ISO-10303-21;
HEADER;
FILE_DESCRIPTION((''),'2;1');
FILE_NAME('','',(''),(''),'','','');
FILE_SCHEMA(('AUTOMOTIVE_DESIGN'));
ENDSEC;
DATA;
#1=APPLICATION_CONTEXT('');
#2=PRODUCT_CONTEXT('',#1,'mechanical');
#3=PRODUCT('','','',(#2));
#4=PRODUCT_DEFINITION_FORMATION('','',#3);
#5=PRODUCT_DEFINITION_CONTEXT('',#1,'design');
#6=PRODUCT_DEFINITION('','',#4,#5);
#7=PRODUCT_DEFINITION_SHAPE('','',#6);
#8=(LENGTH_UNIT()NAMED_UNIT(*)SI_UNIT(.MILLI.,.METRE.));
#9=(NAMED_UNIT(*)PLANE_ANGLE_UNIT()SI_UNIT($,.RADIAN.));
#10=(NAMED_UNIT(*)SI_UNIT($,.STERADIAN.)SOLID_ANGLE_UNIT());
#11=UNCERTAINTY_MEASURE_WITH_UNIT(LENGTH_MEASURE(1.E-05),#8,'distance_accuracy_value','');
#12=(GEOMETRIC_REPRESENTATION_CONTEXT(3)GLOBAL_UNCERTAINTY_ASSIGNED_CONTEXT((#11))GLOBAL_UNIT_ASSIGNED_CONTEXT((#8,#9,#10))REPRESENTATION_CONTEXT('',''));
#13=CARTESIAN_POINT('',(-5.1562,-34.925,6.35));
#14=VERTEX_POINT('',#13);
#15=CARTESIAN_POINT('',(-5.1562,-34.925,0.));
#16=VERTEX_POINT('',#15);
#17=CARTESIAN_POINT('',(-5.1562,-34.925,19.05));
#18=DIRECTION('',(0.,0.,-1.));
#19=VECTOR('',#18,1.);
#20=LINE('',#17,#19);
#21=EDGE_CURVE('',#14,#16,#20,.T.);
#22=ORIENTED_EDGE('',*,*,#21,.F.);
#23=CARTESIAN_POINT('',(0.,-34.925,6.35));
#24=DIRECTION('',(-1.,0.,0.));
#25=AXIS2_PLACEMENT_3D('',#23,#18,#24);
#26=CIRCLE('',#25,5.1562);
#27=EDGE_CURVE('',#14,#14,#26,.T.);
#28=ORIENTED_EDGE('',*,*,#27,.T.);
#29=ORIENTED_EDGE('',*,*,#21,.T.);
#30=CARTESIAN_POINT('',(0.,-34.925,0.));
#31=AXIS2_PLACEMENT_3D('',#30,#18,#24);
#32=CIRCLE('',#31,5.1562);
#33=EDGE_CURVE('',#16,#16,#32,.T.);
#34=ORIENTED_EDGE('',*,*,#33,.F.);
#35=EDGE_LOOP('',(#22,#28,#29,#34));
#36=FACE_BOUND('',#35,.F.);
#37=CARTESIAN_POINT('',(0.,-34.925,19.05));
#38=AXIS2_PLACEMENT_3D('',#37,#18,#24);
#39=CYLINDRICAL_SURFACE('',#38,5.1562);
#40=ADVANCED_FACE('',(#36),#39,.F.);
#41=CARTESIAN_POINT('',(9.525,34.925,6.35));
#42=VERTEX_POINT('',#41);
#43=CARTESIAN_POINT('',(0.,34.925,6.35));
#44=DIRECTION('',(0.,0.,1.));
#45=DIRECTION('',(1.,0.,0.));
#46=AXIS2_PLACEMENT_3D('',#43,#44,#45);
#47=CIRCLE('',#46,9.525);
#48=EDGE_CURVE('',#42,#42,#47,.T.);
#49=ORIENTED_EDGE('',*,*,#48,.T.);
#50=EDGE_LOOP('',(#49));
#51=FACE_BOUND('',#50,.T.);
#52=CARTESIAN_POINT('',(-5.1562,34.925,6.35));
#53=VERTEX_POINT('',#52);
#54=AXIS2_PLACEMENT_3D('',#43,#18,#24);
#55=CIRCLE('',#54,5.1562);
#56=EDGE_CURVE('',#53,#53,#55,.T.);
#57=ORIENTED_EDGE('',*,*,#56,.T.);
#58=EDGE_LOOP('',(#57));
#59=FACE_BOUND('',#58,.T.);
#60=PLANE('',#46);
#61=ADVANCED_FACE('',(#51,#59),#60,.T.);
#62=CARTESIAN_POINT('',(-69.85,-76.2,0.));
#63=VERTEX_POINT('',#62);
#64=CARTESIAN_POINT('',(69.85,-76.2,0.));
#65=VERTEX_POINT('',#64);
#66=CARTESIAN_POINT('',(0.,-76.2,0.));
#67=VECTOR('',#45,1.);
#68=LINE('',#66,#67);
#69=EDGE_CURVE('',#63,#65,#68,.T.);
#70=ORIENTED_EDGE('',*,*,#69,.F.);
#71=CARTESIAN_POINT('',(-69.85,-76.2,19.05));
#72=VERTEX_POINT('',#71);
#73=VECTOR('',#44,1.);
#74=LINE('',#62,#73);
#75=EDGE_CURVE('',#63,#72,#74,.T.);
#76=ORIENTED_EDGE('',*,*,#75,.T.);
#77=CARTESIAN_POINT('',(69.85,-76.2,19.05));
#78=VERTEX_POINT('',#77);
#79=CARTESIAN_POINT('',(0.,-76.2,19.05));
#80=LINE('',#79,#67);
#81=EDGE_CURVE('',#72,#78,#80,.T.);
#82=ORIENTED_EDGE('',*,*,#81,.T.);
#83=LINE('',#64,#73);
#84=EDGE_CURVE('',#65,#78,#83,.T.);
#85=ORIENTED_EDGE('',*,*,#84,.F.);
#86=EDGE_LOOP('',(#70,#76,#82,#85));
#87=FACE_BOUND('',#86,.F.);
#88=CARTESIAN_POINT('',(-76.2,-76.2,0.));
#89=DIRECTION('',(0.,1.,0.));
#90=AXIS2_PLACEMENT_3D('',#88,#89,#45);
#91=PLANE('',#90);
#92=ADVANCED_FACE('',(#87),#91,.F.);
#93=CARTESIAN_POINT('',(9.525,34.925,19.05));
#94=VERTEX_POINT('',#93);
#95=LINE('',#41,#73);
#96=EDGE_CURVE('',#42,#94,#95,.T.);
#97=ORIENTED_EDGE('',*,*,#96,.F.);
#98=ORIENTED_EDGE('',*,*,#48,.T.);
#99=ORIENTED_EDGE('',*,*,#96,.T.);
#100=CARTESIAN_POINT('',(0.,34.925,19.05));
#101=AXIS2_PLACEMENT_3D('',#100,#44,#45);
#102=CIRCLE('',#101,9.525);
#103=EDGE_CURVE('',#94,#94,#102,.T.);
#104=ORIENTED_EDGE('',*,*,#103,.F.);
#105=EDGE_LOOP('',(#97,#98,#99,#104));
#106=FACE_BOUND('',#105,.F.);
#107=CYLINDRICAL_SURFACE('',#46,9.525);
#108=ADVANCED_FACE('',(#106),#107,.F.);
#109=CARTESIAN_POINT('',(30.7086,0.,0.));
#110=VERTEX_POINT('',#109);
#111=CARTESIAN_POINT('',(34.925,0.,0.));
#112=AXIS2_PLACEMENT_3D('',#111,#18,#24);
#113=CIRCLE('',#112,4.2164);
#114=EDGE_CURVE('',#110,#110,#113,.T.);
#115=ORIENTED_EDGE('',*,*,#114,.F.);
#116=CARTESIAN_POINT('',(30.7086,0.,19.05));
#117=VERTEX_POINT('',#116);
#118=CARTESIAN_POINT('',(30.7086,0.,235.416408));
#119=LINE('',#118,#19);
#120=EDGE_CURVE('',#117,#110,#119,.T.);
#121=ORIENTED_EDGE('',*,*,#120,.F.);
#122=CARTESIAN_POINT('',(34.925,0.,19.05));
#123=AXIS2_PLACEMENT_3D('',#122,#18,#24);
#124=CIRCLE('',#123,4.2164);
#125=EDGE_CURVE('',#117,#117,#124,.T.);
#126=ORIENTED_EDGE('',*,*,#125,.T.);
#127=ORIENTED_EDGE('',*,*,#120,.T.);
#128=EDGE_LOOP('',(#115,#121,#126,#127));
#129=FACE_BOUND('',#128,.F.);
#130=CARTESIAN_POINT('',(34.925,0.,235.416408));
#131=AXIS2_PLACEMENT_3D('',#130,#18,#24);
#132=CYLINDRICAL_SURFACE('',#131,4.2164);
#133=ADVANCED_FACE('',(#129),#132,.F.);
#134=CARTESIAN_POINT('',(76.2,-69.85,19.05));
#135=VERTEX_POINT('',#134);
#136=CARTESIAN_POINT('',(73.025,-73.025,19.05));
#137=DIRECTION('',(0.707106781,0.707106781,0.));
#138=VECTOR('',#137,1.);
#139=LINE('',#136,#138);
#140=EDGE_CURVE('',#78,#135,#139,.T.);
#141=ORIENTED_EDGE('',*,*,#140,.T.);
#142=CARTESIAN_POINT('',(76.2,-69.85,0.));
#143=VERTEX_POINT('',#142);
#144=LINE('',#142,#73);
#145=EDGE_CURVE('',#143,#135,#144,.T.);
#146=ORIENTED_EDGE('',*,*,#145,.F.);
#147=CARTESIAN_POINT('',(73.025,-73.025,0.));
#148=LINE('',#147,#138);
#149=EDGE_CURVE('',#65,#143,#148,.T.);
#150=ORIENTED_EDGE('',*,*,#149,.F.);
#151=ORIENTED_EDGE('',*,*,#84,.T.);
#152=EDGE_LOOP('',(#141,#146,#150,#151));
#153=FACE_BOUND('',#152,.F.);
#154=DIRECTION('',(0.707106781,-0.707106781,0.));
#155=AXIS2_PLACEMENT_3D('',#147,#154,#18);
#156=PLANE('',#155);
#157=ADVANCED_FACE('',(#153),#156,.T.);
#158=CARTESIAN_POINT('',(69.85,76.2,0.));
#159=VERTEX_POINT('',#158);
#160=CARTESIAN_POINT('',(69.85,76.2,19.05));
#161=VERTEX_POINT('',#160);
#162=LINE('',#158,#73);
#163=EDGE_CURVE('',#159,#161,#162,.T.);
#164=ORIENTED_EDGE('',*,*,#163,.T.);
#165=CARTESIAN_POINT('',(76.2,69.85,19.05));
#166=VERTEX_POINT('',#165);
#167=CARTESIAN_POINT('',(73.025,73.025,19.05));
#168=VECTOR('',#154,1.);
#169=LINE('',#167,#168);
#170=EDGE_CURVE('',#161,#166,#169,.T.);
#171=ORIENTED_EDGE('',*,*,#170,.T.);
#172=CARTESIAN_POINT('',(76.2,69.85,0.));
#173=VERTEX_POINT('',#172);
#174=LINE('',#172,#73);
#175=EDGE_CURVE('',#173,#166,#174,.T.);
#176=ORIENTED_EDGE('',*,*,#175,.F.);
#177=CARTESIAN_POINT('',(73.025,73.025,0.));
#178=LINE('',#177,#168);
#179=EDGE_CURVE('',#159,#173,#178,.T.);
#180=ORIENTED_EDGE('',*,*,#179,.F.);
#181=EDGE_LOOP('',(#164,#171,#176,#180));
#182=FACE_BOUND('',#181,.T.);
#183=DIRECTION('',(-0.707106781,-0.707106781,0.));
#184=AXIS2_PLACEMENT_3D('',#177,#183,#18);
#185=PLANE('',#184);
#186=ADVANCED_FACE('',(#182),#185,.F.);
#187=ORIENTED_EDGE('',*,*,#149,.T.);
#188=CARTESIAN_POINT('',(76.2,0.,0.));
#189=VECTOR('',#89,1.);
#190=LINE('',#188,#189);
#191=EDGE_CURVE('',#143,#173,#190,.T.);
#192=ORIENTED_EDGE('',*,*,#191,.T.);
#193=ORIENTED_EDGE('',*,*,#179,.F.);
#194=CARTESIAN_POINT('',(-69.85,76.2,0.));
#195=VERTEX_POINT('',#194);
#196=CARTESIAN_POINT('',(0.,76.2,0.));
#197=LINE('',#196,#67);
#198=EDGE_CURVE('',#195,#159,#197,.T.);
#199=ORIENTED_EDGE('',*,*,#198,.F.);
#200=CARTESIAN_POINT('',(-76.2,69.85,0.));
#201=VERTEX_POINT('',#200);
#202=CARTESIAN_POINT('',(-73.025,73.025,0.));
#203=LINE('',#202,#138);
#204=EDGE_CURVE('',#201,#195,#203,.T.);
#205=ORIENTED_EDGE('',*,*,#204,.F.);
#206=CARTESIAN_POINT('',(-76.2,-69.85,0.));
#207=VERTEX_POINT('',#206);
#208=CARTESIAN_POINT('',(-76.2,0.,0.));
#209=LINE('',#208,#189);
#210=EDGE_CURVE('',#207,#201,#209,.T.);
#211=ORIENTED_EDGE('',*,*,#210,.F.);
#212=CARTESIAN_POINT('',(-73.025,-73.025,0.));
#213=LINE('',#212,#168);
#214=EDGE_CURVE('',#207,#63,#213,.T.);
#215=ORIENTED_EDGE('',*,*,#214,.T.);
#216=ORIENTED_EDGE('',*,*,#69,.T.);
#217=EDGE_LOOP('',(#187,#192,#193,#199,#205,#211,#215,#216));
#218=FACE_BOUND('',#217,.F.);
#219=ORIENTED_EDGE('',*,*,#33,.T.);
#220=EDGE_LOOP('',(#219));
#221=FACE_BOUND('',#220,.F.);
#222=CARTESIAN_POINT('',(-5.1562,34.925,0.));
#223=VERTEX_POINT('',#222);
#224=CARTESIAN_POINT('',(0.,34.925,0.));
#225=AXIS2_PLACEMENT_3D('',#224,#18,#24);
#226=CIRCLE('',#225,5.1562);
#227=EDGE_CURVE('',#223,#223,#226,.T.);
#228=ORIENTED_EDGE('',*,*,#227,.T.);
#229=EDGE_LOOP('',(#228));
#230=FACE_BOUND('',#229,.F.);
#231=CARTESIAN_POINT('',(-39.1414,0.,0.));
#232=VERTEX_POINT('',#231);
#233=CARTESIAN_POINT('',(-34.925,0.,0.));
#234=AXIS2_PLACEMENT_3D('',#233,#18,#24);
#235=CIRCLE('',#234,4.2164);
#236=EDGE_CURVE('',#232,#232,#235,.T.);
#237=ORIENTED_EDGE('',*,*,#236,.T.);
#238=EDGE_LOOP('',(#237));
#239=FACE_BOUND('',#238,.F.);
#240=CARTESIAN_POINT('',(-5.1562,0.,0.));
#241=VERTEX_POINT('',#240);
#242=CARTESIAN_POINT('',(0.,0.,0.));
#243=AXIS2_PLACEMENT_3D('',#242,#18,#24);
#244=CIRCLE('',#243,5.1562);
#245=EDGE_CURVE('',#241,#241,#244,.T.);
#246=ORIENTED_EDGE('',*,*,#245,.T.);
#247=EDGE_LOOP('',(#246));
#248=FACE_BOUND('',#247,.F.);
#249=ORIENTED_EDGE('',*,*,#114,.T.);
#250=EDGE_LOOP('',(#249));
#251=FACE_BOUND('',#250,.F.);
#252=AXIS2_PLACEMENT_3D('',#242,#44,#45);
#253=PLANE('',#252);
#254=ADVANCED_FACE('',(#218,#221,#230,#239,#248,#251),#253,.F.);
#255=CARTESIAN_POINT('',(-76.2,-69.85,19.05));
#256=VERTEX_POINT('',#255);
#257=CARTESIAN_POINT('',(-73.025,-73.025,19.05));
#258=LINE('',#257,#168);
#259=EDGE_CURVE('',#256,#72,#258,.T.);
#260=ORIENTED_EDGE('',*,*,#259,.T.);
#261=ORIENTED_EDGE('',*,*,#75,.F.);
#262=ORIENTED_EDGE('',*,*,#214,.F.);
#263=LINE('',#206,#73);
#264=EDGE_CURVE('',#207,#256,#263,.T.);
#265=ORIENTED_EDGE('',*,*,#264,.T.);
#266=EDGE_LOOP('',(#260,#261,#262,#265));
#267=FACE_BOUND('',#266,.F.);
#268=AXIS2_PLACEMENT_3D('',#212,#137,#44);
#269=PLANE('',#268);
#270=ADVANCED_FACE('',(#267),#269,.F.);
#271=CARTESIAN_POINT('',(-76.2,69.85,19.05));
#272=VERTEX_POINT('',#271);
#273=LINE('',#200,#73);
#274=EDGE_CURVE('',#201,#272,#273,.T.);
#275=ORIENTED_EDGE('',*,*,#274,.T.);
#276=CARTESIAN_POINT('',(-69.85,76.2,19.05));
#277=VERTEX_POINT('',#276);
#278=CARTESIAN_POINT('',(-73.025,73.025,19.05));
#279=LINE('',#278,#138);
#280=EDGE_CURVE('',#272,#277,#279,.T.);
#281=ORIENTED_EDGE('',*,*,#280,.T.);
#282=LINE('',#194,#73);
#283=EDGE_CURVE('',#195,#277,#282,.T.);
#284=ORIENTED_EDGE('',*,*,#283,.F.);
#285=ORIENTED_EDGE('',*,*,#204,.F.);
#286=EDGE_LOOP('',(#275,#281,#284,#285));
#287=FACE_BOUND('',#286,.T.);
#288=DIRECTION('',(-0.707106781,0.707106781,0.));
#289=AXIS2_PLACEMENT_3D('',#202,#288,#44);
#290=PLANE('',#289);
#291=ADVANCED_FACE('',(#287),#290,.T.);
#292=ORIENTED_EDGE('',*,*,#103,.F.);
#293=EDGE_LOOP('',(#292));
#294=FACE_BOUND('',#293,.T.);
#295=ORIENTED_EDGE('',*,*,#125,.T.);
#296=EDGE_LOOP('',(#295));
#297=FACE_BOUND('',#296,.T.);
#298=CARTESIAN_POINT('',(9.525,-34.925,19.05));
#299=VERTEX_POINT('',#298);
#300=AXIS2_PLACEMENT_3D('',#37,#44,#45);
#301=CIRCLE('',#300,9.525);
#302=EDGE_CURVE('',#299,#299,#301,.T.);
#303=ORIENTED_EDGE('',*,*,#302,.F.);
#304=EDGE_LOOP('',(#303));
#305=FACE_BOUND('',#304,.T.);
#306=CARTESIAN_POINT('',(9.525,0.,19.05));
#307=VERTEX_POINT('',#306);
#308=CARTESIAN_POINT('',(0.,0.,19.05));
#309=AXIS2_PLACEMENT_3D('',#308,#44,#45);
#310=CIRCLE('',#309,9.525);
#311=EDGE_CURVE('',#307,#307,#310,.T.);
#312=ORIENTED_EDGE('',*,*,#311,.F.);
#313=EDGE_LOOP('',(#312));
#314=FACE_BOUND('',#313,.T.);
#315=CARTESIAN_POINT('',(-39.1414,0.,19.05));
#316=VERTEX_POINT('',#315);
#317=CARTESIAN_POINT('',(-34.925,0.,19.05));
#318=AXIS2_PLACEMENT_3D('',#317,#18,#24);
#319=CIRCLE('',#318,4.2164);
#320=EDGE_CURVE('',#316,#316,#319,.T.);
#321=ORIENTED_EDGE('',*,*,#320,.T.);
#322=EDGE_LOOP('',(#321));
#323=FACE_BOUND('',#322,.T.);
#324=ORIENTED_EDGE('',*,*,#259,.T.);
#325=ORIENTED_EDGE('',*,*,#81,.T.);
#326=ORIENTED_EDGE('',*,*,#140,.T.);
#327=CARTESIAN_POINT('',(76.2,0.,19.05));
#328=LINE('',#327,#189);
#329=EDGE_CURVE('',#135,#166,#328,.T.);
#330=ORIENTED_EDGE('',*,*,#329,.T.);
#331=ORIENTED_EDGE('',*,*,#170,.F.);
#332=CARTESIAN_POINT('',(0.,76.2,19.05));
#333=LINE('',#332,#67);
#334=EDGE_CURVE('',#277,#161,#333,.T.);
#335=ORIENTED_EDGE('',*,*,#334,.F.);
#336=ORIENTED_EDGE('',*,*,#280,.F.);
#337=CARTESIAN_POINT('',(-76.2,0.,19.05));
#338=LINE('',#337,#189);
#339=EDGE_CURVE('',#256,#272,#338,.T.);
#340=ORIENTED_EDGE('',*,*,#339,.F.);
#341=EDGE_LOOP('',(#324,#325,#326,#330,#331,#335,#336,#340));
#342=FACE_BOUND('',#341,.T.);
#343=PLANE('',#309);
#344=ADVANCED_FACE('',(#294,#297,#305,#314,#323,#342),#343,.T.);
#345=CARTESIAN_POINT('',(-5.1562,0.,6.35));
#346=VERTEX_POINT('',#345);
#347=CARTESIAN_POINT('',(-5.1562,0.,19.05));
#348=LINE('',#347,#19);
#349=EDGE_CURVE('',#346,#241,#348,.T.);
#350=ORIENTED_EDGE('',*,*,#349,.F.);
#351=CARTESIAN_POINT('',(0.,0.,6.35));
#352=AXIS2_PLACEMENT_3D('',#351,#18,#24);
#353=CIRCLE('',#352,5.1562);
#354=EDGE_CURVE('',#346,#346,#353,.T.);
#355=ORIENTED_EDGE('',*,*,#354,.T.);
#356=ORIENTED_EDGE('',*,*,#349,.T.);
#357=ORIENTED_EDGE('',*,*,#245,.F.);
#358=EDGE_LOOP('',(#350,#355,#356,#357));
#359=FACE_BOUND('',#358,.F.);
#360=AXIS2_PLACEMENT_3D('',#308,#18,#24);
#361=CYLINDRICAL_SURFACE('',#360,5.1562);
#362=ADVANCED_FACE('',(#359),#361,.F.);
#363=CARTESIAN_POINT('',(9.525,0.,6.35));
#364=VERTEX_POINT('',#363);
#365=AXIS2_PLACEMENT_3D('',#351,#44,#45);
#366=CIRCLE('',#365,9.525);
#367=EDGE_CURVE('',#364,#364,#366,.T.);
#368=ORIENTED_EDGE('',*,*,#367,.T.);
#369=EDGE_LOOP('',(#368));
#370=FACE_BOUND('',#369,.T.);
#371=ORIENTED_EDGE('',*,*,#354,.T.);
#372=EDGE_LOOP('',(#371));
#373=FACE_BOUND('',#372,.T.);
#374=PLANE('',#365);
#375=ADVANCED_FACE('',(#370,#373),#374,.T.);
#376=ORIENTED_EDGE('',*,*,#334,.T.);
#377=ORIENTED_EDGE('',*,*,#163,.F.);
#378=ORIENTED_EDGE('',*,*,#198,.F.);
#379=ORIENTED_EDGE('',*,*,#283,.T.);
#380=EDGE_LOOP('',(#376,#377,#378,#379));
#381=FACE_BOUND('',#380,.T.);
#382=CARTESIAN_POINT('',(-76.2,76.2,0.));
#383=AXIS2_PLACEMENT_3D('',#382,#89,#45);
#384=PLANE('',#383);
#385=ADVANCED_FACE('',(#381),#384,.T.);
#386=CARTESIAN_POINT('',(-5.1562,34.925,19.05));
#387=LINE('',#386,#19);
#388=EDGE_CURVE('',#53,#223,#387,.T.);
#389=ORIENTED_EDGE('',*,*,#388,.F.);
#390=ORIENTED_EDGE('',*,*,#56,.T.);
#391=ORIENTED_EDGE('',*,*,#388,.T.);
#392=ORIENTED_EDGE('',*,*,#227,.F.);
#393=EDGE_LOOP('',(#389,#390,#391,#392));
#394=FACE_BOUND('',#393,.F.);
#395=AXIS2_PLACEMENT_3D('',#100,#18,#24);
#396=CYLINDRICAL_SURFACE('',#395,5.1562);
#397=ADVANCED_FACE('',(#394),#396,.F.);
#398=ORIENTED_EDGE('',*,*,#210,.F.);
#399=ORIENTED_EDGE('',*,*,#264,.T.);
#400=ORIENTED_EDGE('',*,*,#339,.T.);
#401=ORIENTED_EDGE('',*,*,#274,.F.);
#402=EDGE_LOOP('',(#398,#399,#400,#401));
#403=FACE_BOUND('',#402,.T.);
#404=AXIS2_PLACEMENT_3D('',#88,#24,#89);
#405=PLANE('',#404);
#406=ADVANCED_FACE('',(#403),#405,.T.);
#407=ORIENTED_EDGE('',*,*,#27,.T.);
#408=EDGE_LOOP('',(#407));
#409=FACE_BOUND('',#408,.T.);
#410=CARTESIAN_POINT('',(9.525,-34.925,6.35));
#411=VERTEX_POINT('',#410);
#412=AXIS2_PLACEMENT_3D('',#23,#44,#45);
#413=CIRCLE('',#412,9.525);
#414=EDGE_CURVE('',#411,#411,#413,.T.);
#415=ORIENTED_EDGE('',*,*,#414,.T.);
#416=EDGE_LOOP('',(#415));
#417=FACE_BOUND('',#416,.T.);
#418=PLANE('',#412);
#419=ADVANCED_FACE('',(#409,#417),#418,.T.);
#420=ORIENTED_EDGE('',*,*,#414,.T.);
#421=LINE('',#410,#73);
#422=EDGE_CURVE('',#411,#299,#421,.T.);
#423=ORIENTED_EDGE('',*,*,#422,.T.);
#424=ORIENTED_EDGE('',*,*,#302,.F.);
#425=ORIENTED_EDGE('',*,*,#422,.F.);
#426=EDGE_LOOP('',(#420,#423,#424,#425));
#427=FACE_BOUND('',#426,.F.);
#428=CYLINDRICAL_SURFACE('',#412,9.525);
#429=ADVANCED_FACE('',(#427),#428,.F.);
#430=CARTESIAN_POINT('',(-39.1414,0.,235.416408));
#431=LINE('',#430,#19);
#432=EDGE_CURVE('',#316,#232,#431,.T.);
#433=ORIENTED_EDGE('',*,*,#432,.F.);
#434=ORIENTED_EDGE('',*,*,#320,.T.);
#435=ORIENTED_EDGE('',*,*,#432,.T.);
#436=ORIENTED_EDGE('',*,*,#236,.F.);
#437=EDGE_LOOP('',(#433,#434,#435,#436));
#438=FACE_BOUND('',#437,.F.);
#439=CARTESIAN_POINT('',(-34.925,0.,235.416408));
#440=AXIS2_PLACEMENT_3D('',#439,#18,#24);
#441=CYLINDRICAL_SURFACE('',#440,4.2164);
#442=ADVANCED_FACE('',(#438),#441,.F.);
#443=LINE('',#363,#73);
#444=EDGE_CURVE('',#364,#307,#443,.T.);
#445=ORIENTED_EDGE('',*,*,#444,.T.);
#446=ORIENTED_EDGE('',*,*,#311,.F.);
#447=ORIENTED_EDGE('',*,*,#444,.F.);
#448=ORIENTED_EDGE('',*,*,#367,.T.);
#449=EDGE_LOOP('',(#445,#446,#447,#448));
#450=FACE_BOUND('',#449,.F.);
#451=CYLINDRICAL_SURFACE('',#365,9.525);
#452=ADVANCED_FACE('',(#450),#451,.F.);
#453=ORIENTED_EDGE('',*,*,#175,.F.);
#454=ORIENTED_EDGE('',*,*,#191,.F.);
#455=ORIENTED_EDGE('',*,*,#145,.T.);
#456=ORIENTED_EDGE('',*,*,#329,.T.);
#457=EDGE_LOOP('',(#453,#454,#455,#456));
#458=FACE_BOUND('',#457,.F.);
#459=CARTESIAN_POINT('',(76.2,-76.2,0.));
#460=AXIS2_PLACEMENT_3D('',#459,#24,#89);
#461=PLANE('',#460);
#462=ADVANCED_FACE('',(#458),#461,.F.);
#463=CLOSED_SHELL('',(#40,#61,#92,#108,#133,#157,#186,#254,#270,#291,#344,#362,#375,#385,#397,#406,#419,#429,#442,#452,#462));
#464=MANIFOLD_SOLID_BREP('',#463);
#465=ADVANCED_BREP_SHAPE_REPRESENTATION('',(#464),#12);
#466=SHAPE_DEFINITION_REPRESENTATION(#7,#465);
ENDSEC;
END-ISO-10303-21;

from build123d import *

# Parameters (mm, degrees)
F0_W           = 152.4
F0_H           = 152.4
F1_DEPTH       = 19.05
F3_D           = 8.4328
F4_D           = 10.3124
F4_CBORE_D     = 19.05
F4_CBORE_DEPTH = 12.7
F5_SIZE        = 6.35


with BuildPart() as f1:
    # F0 (on Top) → F1 (new body)
    with BuildSketch(Plane.XY):
        Rectangle(F0_W, F0_H)
    extrude(amount=F1_DEPTH)

    # F3 (through all)
    with Locations(Plane.XY.offset(19.05)):
        with Locations((-34.925, 0), (34.925, 0)):
            Hole(F3_D / 2)

    # F4 (through all)
    with Locations(Plane.XY.offset(19.05)):
        with Locations((0, 34.925), (0, 0), (0, -34.925)):
            CounterBoreHole(F4_D / 2, F4_CBORE_D / 2, F4_CBORE_DEPTH)

    # F5
    f5_edges = [f1.edges().sort_by_distance(p)[0] for p in [
        (-76.2, 76.2, 9.525),
        (-76.2, -76.2, 9.525),
        (76.2, -76.2, 9.525),
        (76.2, 76.2, 9.525),
    ]]
    chamfer(f5_edges, length=F5_SIZE)


solid = f1.part
